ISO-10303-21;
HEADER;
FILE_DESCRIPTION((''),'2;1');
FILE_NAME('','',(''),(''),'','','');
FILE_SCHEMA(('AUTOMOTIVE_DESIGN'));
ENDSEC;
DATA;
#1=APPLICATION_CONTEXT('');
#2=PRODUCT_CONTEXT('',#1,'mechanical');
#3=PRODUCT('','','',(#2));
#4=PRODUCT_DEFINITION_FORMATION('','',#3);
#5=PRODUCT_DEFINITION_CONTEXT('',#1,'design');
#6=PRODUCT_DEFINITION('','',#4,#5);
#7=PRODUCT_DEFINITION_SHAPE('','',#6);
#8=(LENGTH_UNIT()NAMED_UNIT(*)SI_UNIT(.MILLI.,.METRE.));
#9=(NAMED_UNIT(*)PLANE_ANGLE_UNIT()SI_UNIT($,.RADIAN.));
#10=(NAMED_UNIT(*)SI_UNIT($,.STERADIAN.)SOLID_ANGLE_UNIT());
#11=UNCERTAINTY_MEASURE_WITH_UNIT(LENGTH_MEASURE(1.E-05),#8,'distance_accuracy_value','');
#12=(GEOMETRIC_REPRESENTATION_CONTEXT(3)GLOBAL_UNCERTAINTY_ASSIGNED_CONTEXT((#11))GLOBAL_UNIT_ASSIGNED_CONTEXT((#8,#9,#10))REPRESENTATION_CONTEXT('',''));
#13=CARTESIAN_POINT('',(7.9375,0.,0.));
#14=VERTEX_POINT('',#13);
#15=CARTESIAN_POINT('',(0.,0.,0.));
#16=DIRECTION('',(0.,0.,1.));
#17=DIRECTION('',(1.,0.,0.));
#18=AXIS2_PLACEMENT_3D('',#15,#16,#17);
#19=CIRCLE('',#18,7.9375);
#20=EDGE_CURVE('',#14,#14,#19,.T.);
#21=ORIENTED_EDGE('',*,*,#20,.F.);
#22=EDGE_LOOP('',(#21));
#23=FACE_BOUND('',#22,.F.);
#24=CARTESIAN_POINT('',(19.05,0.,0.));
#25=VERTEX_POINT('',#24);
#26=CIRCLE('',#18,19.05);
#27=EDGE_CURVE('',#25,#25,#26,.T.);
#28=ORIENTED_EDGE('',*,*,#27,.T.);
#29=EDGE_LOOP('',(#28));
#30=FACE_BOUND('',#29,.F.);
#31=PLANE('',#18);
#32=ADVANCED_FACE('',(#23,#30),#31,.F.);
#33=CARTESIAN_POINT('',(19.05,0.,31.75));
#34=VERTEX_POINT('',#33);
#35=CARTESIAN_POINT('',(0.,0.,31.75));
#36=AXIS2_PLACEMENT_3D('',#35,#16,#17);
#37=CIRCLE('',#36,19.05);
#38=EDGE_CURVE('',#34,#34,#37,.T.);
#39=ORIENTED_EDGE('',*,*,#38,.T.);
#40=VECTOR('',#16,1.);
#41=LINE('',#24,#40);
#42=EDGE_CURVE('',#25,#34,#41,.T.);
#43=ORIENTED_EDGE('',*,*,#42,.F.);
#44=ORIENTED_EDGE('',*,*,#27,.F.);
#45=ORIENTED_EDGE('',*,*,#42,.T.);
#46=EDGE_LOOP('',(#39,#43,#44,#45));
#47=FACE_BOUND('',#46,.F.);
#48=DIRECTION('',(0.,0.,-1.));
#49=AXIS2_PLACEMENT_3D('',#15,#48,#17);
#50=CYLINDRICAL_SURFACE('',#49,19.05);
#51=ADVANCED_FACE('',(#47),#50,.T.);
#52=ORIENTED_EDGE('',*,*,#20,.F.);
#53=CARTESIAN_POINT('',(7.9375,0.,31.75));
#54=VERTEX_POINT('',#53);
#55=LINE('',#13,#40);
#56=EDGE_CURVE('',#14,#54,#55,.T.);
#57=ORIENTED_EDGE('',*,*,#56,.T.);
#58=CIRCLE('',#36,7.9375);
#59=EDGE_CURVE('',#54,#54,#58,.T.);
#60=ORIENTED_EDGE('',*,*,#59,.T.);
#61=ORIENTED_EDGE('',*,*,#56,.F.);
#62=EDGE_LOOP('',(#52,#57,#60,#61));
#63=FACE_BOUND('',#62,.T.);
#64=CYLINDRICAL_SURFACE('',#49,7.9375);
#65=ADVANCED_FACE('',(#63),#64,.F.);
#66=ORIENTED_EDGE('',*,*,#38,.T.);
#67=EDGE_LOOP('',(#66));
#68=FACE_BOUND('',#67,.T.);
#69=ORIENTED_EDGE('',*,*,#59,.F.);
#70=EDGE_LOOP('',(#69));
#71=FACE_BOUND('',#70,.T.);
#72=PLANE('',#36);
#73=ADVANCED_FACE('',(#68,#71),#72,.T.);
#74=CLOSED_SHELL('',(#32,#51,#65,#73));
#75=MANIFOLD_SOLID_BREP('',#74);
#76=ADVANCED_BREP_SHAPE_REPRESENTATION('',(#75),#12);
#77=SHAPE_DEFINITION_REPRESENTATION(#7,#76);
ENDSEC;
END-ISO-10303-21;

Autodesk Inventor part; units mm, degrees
ref_plane "YZ Plane" through (0, 0, 0) normal (1, 0, 0) x (0, 1, 0)
ref_plane "XZ Plane" through (0, 0, 0) normal (0, 1, 0) x (-1, 0, 0)
ref_plane "XY Plane" through (0, 0, 0) normal (0, 0, 1) x (1, 0, 0)
sketch "Sketch1" plane through (0, 0, 0) normal (0, 0, 1) x (1, 0, 0)
  circle A0 centre (0, 0) radius 7.9375
  circle A1 centre (0, 0) radius 19.05
  dimension "d0" = 38.1
  dimension "d1" = 15.875
extrude "Extrusion1" add sketch "Sketch1" along normal blind 31.75
properties part number "Roller_VerticalConveyor_Middle" material "High Density Polyethylene"
